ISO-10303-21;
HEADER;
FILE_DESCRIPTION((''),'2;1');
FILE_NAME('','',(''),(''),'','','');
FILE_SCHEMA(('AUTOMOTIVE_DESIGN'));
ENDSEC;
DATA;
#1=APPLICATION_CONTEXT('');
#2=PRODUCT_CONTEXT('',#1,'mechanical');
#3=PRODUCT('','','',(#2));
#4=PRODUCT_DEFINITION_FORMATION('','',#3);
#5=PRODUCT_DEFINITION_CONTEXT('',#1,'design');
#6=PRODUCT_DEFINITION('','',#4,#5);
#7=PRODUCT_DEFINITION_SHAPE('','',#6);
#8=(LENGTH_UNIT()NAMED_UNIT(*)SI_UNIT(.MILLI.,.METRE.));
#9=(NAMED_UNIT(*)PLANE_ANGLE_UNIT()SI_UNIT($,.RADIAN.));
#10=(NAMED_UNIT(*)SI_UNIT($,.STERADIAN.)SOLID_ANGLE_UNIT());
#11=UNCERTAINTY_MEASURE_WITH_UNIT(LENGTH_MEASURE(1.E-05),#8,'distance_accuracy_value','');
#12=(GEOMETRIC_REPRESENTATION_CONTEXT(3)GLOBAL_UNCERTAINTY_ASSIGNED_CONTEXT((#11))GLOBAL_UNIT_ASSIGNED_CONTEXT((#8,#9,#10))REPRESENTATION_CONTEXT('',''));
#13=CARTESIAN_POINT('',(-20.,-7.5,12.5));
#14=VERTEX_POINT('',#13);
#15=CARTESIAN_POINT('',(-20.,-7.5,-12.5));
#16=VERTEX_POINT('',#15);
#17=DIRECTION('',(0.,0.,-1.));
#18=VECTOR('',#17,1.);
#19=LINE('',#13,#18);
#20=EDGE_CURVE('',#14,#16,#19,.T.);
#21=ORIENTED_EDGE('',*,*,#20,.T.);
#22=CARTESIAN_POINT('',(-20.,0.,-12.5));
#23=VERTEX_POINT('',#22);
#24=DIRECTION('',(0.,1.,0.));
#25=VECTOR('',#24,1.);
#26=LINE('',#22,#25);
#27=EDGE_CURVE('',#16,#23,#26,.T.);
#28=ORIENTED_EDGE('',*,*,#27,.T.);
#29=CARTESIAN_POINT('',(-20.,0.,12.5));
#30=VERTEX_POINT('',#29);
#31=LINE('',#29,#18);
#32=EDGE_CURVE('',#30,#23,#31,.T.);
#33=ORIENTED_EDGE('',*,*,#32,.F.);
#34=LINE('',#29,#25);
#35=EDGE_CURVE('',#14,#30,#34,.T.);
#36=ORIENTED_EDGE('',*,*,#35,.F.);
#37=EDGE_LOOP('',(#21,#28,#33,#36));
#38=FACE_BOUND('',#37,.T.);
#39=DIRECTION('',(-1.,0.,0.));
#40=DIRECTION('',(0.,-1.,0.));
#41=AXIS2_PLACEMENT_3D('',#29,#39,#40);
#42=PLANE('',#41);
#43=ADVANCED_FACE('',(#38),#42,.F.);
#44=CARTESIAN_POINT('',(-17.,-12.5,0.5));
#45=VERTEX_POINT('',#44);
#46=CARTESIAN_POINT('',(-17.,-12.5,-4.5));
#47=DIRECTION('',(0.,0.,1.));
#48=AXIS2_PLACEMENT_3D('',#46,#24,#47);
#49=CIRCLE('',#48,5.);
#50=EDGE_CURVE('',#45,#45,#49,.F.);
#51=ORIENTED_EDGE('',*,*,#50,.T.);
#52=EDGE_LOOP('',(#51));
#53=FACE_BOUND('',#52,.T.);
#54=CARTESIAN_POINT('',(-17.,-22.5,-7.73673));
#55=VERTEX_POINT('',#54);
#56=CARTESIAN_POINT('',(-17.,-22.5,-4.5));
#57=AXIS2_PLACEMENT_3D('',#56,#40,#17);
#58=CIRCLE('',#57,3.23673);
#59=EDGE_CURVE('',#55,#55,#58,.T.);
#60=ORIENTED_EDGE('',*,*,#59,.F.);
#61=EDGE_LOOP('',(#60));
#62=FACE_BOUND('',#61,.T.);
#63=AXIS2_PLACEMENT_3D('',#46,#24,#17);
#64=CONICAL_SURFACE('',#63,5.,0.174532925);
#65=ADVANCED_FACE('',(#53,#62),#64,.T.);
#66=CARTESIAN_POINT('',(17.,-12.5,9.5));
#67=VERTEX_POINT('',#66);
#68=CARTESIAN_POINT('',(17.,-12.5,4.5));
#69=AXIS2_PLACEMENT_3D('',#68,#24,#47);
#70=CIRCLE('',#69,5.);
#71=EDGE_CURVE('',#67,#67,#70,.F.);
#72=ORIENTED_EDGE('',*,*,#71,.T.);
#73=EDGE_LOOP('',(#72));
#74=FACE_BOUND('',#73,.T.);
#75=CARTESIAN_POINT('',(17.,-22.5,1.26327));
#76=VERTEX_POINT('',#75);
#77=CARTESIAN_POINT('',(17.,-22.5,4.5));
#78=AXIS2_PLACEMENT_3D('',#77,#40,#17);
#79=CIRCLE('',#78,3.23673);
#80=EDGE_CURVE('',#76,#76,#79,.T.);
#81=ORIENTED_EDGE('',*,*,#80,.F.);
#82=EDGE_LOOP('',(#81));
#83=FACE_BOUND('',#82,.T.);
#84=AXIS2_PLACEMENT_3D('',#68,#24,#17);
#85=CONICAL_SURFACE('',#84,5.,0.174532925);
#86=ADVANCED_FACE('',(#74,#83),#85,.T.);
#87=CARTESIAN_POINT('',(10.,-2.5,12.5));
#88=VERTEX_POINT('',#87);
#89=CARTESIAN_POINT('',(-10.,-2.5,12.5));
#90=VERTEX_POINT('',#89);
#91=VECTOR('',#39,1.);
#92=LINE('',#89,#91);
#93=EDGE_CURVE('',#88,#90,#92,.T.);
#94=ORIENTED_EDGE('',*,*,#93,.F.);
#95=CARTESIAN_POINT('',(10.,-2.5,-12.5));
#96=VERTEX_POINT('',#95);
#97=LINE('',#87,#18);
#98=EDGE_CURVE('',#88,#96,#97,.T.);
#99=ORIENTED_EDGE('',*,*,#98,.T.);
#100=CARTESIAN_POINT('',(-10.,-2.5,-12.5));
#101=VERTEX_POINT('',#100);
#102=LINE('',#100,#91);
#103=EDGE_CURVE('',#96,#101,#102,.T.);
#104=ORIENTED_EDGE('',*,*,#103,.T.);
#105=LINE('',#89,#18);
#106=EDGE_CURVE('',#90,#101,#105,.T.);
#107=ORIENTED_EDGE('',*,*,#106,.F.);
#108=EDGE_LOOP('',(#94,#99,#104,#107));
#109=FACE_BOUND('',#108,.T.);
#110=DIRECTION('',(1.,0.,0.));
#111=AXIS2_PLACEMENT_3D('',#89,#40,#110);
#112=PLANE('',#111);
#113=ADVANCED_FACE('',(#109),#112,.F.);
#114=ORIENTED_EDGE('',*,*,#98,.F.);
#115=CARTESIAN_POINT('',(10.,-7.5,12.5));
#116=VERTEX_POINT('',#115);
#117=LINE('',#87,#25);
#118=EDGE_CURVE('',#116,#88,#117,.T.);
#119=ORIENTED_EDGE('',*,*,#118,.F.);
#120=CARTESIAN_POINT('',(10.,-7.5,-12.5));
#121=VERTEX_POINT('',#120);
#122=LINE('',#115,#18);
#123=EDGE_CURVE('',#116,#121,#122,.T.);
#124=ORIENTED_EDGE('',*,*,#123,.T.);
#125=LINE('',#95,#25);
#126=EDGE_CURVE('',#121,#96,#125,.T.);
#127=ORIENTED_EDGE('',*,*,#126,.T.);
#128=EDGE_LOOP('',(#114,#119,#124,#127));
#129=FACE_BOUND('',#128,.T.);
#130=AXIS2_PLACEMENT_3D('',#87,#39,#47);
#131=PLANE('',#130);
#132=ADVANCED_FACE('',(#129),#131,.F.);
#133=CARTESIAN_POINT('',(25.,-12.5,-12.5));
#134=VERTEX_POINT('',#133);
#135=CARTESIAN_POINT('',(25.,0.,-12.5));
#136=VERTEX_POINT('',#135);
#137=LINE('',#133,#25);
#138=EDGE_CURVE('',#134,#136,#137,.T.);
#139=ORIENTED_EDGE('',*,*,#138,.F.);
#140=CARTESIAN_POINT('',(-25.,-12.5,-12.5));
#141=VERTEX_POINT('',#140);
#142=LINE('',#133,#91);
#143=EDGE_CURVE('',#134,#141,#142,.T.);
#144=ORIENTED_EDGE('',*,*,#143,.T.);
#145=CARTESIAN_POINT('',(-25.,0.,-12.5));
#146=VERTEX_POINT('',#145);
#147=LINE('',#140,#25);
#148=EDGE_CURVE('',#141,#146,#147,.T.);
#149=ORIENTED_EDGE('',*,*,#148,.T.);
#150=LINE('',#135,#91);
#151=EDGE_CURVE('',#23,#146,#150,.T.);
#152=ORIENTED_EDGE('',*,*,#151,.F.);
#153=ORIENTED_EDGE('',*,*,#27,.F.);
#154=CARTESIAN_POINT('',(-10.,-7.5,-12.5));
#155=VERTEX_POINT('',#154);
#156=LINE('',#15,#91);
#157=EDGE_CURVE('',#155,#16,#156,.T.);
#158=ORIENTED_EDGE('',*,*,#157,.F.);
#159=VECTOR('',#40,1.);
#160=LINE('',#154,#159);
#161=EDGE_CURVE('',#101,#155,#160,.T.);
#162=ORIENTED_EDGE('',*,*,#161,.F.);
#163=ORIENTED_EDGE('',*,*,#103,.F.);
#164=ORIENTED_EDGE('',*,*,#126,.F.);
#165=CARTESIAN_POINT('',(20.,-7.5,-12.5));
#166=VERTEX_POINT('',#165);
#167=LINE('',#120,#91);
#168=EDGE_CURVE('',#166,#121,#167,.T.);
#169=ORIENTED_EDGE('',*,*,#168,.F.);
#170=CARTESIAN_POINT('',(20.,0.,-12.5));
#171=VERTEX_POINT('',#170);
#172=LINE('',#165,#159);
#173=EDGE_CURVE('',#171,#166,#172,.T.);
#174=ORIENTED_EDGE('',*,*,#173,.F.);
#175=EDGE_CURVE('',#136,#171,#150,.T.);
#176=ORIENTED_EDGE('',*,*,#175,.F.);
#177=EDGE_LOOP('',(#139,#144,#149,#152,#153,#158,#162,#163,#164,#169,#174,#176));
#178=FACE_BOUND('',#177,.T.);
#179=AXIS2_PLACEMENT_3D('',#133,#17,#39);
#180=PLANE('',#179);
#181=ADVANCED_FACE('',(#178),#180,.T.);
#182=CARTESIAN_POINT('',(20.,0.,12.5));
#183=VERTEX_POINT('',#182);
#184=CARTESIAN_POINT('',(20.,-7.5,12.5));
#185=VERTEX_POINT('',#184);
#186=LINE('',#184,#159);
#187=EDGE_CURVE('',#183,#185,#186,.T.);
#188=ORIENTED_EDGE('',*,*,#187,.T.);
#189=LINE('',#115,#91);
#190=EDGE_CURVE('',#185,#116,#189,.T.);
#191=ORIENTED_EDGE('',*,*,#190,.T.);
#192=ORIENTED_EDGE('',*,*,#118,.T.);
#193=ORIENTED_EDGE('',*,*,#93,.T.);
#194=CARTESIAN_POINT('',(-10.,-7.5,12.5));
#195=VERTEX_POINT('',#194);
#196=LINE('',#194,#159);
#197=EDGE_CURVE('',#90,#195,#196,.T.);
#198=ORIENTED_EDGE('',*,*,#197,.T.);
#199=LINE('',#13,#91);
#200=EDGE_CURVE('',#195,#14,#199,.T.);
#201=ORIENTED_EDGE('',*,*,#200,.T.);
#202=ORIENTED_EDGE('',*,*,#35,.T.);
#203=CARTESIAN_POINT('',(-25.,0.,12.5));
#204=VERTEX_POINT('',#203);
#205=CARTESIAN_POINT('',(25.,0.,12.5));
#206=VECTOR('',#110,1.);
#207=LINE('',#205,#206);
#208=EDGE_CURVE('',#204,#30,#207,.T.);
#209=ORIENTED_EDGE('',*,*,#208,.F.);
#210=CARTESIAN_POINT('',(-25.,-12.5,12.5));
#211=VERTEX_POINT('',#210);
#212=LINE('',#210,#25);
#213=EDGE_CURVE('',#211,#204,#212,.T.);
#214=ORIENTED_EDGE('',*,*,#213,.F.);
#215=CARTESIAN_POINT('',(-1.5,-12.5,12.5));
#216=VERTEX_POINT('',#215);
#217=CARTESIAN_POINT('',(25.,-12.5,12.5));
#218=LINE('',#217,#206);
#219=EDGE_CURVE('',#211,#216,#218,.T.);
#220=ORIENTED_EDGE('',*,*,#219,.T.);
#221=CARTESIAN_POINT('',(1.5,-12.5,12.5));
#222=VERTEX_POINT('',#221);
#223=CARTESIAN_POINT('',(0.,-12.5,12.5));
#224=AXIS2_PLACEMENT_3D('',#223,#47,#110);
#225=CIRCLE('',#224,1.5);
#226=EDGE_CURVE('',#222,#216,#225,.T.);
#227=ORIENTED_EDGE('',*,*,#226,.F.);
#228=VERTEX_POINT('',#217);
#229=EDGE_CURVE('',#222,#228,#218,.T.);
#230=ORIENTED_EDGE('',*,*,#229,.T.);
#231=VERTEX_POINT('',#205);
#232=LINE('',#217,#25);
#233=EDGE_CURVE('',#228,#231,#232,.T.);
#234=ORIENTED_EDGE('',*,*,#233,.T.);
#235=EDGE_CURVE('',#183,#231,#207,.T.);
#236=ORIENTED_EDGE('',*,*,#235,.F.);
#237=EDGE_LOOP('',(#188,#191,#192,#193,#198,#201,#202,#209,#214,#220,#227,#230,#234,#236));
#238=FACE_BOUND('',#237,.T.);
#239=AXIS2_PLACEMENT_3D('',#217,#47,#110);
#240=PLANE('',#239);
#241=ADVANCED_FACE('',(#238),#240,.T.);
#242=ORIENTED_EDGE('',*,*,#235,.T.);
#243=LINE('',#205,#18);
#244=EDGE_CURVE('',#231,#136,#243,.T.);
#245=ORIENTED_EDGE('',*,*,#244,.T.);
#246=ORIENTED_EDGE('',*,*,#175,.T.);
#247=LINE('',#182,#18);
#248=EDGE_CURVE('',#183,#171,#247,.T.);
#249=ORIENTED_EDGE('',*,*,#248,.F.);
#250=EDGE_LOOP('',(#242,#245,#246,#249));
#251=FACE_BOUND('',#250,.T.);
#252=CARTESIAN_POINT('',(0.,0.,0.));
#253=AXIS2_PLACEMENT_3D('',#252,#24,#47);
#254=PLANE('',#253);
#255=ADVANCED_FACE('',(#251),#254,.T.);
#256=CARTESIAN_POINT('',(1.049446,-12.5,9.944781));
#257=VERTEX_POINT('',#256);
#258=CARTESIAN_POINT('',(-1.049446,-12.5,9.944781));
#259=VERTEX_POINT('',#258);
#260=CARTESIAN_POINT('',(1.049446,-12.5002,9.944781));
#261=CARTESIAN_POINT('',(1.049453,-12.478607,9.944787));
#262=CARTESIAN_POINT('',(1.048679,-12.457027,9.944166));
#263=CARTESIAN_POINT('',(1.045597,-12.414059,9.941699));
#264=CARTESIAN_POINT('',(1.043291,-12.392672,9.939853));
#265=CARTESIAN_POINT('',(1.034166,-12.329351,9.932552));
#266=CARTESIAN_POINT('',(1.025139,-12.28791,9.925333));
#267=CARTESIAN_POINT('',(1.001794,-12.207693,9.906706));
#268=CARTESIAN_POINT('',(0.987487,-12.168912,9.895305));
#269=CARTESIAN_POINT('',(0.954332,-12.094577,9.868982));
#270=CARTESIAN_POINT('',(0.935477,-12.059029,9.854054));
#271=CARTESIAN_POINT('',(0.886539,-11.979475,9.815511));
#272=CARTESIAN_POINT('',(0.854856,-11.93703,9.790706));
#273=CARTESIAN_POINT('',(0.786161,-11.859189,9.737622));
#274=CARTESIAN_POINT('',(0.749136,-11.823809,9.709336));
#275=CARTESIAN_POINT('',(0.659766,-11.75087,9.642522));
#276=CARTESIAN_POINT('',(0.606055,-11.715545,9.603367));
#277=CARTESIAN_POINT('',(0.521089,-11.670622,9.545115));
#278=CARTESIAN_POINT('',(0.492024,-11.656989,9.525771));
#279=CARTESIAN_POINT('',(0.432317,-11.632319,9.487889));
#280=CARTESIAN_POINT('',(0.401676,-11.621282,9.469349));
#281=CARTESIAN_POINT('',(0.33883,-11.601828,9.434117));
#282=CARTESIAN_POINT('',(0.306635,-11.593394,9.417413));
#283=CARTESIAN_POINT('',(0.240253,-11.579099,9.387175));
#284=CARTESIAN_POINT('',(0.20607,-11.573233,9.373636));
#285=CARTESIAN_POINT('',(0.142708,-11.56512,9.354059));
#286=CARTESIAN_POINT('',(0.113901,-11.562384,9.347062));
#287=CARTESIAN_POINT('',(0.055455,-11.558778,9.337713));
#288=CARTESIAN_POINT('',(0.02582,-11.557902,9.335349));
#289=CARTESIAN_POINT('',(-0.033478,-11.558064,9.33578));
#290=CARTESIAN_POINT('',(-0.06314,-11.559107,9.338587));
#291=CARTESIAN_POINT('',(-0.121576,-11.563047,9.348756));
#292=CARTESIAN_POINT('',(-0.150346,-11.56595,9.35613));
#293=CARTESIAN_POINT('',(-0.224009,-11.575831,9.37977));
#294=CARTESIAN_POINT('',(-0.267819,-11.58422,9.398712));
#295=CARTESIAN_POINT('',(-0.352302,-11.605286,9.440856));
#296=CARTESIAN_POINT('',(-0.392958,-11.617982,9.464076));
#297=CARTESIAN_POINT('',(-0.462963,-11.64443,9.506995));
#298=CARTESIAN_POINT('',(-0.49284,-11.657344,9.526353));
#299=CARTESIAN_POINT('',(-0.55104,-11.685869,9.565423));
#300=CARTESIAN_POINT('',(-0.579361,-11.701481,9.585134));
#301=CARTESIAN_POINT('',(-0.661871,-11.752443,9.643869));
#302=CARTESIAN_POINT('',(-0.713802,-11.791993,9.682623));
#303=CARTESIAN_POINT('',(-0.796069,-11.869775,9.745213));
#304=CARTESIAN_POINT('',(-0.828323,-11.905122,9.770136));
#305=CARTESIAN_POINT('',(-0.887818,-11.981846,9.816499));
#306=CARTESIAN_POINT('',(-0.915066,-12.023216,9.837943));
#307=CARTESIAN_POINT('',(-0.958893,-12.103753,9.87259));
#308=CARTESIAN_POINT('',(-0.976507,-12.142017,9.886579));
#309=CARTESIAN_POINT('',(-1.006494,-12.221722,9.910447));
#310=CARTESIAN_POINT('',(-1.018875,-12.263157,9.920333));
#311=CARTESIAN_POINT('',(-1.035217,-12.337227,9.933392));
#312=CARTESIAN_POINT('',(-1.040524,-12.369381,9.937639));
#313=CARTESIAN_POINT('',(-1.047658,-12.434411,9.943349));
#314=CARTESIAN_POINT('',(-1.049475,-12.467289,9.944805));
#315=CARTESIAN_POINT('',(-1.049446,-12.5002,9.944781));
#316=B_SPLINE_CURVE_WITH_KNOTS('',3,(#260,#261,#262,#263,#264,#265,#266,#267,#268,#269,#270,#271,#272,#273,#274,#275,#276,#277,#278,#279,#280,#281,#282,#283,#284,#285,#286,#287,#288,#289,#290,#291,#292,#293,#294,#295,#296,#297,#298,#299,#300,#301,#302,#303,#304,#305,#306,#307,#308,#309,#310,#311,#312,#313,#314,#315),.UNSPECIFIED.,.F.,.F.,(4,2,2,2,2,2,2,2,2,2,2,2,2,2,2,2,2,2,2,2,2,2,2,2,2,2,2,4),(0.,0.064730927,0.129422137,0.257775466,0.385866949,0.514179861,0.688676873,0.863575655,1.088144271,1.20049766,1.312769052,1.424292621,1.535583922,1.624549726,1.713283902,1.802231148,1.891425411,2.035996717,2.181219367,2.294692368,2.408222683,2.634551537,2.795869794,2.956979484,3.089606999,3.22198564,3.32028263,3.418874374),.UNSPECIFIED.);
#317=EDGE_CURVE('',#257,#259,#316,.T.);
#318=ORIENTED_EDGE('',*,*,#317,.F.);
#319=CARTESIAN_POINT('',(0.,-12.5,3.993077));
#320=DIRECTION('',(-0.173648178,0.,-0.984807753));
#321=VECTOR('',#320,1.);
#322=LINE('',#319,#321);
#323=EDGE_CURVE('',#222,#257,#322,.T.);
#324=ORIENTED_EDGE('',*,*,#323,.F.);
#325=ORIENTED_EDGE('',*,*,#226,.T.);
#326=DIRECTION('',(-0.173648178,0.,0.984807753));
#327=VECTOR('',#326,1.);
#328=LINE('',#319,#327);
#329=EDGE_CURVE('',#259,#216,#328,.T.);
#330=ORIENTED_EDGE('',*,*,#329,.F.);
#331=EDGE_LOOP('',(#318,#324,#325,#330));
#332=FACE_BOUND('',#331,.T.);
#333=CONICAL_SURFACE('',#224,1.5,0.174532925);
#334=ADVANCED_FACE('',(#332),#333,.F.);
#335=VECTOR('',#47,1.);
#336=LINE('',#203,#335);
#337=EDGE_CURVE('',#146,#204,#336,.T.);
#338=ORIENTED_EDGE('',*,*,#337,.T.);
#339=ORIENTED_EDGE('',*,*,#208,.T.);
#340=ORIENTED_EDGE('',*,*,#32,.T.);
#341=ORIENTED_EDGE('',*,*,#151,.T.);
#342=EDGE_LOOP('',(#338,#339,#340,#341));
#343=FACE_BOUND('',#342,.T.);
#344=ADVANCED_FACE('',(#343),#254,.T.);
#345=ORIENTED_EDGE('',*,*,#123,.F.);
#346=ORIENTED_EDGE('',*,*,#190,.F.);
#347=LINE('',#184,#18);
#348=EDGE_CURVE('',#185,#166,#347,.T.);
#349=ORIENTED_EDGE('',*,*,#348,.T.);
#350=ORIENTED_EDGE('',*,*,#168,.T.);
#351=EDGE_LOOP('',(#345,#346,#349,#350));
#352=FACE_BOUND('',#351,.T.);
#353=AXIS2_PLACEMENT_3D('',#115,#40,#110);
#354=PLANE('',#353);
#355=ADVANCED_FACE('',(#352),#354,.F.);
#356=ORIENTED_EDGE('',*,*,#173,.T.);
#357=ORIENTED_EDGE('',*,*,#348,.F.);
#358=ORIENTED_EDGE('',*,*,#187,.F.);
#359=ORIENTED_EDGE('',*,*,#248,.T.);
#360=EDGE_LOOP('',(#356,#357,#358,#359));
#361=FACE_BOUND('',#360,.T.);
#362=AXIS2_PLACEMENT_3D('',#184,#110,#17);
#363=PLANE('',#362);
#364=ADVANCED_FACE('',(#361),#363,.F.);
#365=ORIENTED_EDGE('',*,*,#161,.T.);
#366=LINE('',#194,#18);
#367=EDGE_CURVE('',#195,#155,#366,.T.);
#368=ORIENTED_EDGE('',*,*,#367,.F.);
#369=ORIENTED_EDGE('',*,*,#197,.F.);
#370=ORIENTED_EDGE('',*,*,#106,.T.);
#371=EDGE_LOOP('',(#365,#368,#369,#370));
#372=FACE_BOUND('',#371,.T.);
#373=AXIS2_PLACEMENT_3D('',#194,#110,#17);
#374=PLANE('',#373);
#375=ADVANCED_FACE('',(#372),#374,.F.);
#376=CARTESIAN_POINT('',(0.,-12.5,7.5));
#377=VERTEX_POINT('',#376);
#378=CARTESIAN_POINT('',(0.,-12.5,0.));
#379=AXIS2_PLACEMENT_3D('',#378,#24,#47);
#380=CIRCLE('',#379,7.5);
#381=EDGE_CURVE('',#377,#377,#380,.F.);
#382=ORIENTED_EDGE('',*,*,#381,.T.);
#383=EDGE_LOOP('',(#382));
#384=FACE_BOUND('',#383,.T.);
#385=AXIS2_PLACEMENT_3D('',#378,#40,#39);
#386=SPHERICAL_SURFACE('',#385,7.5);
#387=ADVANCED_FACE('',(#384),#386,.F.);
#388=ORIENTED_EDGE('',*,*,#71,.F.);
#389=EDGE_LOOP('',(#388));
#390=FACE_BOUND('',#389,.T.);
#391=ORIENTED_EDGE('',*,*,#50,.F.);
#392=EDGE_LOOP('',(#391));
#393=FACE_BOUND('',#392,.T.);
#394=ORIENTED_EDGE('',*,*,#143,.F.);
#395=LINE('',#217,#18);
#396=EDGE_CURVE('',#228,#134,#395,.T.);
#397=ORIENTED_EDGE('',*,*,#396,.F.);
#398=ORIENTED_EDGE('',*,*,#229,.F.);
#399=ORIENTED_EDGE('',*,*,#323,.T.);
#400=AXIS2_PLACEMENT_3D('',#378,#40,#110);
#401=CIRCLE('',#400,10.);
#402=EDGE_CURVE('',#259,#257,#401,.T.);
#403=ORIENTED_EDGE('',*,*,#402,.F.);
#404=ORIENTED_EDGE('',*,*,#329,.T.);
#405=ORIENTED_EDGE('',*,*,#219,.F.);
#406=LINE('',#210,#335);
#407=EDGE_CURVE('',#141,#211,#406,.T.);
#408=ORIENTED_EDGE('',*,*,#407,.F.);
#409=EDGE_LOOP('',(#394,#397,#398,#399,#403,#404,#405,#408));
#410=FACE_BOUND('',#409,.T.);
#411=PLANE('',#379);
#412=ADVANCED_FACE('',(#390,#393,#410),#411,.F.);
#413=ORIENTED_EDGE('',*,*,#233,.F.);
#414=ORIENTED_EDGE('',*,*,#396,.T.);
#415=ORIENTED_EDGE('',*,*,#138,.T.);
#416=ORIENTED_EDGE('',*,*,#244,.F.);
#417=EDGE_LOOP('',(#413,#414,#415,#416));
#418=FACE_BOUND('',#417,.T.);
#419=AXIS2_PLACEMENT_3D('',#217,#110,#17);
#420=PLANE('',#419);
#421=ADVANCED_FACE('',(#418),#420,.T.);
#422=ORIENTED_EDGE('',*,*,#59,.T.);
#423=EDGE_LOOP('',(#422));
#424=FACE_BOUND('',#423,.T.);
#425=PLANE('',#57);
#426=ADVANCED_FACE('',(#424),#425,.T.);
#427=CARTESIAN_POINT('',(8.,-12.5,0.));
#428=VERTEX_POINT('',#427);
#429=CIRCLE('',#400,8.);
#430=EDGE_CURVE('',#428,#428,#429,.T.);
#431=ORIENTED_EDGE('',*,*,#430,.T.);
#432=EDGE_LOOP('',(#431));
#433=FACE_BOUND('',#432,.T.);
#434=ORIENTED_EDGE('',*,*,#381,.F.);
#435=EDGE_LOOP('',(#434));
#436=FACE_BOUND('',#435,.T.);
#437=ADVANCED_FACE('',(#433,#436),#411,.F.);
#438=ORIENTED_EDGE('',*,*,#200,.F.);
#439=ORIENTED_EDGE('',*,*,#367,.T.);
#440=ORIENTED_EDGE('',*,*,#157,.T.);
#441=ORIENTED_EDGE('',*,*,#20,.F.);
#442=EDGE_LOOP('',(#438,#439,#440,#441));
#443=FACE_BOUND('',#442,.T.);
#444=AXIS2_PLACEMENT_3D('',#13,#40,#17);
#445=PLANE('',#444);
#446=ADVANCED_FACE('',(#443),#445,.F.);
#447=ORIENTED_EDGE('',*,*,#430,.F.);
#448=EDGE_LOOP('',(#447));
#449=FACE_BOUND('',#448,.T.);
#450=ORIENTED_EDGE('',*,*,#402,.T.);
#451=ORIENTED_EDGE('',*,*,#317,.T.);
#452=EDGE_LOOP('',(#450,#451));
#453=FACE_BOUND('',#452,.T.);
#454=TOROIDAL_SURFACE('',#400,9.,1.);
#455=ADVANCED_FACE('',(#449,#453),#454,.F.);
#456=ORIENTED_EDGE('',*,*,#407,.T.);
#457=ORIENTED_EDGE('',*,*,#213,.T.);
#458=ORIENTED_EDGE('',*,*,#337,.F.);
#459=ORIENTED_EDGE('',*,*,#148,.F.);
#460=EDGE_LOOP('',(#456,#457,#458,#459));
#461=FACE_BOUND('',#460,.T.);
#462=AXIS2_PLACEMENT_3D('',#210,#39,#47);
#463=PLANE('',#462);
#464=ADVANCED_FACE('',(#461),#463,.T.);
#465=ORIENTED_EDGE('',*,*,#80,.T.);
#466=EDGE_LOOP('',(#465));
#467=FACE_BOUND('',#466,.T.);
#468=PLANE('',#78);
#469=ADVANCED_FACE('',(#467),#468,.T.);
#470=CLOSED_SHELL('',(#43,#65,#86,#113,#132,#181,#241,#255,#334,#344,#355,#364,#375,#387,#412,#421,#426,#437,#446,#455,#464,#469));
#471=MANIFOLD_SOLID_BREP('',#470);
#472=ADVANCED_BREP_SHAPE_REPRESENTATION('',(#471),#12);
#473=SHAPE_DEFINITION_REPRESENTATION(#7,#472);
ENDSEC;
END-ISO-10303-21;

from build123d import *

# Parameters (mm, degrees)
ESQUISSE1_W             = 50
ESQUISSE1_H             = 25
BOSS_EXTRU_1_DEPTH      = 12.5
ESQUISSE2_R             = 5
BOSS_EXTRU_2_DEPTH      = 10
BOSS_EXTRU_2_TAPER      = 10
ESQUISSE4_R             = 5
BOSS_EXTRU_3_DEPTH      = 10
BOSS_EXTRU_3_TAPER      = 10
ENL_V_MAT_EXTRU_5_DEPTH = 26
ESQUISSE14_R            = 1.5
ENL_V_MAT_EXTRU_6_DEPTH = 4
ENL_V_MAT_EXTRU_6_TAPER = 10


with BuildPart() as part:
    # Esquisse1 → Boss.-Extru.1 (new body)
    with BuildSketch(Plane(origin=(0, 0, 0), x_dir=(1, 0, 0), z_dir=(0, 1, 0))):
        Rectangle(ESQUISSE1_W, ESQUISSE1_H)
    extrude(amount=-BOSS_EXTRU_1_DEPTH)

    # Esquisse2 → Boss.-Extru.2 (add)
    with BuildSketch(Plane.XZ.offset(12.5)):
        with Locations((17, 4.5)):
            Circle(ESQUISSE2_R)
    extrude(amount=BOSS_EXTRU_2_DEPTH, taper=BOSS_EXTRU_2_TAPER)

    # Esquisse4 → Boss.-Extru.3 (add)
    with BuildSketch(Plane.XZ.offset(12.5)):
        with Locations((-17, -4.5)):
            Circle(ESQUISSE4_R)
    extrude(amount=BOSS_EXTRU_3_DEPTH, taper=BOSS_EXTRU_3_TAPER)

    # Esquisse6 → Enlèvement de matière-Révolution1 (revolve, cut)
    with BuildSketch(Plane.XY):
        with BuildLine():
            Line((0, -20), (0, -5))
            ThreePointArc((0, -5), (-7.5, -12.5), (0, -20))
        make_face()
    revolve(axis=Axis((0, -20, 0), (0, 1, 0)), mode=Mode.SUBTRACT)

    # Esquisse8 → Enlèvement de matière-Révolution2 (revolve, cut)
    with BuildSketch(Plane.XY):
        with BuildLine():
            Line((8, -12.5), (10, -12.5))
            ThreePointArc((10, -12.5), (9, -11.5), (8, -12.5))
        make_face()
    revolve(axis=Axis((0, -20, 0), (0, 1, 0)), mode=Mode.SUBTRACT)

    # Esquisse13 → Enlèv. mat.-Extru.5 (cut, through all)
    with BuildSketch(Plane(origin=(0, 0, -12.5), x_dir=(-1, 0, 0), z_dir=(0, 0, -1))):
        Polygon((20, 0), (20, -7.5), (10, -7.5), (10, -2.5), (-10, -2.5), (-10, -7.5), (-20, -7.5), (-20, 0), align=None)
    extrude(amount=-ENL_V_MAT_EXTRU_5_DEPTH, mode=Mode.SUBTRACT)

    # Esquisse14 → Enlèv. mat.-Extru.6 (cut)
    with BuildSketch(Plane.XY.offset(12.5)):
        with Locations((0, -12.5)):
            Circle(ESQUISSE14_R)
    extrude(amount=-ENL_V_MAT_EXTRU_6_DEPTH, taper=ENL_V_MAT_EXTRU_6_TAPER, mode=Mode.SUBTRACT)


solid = part.part
